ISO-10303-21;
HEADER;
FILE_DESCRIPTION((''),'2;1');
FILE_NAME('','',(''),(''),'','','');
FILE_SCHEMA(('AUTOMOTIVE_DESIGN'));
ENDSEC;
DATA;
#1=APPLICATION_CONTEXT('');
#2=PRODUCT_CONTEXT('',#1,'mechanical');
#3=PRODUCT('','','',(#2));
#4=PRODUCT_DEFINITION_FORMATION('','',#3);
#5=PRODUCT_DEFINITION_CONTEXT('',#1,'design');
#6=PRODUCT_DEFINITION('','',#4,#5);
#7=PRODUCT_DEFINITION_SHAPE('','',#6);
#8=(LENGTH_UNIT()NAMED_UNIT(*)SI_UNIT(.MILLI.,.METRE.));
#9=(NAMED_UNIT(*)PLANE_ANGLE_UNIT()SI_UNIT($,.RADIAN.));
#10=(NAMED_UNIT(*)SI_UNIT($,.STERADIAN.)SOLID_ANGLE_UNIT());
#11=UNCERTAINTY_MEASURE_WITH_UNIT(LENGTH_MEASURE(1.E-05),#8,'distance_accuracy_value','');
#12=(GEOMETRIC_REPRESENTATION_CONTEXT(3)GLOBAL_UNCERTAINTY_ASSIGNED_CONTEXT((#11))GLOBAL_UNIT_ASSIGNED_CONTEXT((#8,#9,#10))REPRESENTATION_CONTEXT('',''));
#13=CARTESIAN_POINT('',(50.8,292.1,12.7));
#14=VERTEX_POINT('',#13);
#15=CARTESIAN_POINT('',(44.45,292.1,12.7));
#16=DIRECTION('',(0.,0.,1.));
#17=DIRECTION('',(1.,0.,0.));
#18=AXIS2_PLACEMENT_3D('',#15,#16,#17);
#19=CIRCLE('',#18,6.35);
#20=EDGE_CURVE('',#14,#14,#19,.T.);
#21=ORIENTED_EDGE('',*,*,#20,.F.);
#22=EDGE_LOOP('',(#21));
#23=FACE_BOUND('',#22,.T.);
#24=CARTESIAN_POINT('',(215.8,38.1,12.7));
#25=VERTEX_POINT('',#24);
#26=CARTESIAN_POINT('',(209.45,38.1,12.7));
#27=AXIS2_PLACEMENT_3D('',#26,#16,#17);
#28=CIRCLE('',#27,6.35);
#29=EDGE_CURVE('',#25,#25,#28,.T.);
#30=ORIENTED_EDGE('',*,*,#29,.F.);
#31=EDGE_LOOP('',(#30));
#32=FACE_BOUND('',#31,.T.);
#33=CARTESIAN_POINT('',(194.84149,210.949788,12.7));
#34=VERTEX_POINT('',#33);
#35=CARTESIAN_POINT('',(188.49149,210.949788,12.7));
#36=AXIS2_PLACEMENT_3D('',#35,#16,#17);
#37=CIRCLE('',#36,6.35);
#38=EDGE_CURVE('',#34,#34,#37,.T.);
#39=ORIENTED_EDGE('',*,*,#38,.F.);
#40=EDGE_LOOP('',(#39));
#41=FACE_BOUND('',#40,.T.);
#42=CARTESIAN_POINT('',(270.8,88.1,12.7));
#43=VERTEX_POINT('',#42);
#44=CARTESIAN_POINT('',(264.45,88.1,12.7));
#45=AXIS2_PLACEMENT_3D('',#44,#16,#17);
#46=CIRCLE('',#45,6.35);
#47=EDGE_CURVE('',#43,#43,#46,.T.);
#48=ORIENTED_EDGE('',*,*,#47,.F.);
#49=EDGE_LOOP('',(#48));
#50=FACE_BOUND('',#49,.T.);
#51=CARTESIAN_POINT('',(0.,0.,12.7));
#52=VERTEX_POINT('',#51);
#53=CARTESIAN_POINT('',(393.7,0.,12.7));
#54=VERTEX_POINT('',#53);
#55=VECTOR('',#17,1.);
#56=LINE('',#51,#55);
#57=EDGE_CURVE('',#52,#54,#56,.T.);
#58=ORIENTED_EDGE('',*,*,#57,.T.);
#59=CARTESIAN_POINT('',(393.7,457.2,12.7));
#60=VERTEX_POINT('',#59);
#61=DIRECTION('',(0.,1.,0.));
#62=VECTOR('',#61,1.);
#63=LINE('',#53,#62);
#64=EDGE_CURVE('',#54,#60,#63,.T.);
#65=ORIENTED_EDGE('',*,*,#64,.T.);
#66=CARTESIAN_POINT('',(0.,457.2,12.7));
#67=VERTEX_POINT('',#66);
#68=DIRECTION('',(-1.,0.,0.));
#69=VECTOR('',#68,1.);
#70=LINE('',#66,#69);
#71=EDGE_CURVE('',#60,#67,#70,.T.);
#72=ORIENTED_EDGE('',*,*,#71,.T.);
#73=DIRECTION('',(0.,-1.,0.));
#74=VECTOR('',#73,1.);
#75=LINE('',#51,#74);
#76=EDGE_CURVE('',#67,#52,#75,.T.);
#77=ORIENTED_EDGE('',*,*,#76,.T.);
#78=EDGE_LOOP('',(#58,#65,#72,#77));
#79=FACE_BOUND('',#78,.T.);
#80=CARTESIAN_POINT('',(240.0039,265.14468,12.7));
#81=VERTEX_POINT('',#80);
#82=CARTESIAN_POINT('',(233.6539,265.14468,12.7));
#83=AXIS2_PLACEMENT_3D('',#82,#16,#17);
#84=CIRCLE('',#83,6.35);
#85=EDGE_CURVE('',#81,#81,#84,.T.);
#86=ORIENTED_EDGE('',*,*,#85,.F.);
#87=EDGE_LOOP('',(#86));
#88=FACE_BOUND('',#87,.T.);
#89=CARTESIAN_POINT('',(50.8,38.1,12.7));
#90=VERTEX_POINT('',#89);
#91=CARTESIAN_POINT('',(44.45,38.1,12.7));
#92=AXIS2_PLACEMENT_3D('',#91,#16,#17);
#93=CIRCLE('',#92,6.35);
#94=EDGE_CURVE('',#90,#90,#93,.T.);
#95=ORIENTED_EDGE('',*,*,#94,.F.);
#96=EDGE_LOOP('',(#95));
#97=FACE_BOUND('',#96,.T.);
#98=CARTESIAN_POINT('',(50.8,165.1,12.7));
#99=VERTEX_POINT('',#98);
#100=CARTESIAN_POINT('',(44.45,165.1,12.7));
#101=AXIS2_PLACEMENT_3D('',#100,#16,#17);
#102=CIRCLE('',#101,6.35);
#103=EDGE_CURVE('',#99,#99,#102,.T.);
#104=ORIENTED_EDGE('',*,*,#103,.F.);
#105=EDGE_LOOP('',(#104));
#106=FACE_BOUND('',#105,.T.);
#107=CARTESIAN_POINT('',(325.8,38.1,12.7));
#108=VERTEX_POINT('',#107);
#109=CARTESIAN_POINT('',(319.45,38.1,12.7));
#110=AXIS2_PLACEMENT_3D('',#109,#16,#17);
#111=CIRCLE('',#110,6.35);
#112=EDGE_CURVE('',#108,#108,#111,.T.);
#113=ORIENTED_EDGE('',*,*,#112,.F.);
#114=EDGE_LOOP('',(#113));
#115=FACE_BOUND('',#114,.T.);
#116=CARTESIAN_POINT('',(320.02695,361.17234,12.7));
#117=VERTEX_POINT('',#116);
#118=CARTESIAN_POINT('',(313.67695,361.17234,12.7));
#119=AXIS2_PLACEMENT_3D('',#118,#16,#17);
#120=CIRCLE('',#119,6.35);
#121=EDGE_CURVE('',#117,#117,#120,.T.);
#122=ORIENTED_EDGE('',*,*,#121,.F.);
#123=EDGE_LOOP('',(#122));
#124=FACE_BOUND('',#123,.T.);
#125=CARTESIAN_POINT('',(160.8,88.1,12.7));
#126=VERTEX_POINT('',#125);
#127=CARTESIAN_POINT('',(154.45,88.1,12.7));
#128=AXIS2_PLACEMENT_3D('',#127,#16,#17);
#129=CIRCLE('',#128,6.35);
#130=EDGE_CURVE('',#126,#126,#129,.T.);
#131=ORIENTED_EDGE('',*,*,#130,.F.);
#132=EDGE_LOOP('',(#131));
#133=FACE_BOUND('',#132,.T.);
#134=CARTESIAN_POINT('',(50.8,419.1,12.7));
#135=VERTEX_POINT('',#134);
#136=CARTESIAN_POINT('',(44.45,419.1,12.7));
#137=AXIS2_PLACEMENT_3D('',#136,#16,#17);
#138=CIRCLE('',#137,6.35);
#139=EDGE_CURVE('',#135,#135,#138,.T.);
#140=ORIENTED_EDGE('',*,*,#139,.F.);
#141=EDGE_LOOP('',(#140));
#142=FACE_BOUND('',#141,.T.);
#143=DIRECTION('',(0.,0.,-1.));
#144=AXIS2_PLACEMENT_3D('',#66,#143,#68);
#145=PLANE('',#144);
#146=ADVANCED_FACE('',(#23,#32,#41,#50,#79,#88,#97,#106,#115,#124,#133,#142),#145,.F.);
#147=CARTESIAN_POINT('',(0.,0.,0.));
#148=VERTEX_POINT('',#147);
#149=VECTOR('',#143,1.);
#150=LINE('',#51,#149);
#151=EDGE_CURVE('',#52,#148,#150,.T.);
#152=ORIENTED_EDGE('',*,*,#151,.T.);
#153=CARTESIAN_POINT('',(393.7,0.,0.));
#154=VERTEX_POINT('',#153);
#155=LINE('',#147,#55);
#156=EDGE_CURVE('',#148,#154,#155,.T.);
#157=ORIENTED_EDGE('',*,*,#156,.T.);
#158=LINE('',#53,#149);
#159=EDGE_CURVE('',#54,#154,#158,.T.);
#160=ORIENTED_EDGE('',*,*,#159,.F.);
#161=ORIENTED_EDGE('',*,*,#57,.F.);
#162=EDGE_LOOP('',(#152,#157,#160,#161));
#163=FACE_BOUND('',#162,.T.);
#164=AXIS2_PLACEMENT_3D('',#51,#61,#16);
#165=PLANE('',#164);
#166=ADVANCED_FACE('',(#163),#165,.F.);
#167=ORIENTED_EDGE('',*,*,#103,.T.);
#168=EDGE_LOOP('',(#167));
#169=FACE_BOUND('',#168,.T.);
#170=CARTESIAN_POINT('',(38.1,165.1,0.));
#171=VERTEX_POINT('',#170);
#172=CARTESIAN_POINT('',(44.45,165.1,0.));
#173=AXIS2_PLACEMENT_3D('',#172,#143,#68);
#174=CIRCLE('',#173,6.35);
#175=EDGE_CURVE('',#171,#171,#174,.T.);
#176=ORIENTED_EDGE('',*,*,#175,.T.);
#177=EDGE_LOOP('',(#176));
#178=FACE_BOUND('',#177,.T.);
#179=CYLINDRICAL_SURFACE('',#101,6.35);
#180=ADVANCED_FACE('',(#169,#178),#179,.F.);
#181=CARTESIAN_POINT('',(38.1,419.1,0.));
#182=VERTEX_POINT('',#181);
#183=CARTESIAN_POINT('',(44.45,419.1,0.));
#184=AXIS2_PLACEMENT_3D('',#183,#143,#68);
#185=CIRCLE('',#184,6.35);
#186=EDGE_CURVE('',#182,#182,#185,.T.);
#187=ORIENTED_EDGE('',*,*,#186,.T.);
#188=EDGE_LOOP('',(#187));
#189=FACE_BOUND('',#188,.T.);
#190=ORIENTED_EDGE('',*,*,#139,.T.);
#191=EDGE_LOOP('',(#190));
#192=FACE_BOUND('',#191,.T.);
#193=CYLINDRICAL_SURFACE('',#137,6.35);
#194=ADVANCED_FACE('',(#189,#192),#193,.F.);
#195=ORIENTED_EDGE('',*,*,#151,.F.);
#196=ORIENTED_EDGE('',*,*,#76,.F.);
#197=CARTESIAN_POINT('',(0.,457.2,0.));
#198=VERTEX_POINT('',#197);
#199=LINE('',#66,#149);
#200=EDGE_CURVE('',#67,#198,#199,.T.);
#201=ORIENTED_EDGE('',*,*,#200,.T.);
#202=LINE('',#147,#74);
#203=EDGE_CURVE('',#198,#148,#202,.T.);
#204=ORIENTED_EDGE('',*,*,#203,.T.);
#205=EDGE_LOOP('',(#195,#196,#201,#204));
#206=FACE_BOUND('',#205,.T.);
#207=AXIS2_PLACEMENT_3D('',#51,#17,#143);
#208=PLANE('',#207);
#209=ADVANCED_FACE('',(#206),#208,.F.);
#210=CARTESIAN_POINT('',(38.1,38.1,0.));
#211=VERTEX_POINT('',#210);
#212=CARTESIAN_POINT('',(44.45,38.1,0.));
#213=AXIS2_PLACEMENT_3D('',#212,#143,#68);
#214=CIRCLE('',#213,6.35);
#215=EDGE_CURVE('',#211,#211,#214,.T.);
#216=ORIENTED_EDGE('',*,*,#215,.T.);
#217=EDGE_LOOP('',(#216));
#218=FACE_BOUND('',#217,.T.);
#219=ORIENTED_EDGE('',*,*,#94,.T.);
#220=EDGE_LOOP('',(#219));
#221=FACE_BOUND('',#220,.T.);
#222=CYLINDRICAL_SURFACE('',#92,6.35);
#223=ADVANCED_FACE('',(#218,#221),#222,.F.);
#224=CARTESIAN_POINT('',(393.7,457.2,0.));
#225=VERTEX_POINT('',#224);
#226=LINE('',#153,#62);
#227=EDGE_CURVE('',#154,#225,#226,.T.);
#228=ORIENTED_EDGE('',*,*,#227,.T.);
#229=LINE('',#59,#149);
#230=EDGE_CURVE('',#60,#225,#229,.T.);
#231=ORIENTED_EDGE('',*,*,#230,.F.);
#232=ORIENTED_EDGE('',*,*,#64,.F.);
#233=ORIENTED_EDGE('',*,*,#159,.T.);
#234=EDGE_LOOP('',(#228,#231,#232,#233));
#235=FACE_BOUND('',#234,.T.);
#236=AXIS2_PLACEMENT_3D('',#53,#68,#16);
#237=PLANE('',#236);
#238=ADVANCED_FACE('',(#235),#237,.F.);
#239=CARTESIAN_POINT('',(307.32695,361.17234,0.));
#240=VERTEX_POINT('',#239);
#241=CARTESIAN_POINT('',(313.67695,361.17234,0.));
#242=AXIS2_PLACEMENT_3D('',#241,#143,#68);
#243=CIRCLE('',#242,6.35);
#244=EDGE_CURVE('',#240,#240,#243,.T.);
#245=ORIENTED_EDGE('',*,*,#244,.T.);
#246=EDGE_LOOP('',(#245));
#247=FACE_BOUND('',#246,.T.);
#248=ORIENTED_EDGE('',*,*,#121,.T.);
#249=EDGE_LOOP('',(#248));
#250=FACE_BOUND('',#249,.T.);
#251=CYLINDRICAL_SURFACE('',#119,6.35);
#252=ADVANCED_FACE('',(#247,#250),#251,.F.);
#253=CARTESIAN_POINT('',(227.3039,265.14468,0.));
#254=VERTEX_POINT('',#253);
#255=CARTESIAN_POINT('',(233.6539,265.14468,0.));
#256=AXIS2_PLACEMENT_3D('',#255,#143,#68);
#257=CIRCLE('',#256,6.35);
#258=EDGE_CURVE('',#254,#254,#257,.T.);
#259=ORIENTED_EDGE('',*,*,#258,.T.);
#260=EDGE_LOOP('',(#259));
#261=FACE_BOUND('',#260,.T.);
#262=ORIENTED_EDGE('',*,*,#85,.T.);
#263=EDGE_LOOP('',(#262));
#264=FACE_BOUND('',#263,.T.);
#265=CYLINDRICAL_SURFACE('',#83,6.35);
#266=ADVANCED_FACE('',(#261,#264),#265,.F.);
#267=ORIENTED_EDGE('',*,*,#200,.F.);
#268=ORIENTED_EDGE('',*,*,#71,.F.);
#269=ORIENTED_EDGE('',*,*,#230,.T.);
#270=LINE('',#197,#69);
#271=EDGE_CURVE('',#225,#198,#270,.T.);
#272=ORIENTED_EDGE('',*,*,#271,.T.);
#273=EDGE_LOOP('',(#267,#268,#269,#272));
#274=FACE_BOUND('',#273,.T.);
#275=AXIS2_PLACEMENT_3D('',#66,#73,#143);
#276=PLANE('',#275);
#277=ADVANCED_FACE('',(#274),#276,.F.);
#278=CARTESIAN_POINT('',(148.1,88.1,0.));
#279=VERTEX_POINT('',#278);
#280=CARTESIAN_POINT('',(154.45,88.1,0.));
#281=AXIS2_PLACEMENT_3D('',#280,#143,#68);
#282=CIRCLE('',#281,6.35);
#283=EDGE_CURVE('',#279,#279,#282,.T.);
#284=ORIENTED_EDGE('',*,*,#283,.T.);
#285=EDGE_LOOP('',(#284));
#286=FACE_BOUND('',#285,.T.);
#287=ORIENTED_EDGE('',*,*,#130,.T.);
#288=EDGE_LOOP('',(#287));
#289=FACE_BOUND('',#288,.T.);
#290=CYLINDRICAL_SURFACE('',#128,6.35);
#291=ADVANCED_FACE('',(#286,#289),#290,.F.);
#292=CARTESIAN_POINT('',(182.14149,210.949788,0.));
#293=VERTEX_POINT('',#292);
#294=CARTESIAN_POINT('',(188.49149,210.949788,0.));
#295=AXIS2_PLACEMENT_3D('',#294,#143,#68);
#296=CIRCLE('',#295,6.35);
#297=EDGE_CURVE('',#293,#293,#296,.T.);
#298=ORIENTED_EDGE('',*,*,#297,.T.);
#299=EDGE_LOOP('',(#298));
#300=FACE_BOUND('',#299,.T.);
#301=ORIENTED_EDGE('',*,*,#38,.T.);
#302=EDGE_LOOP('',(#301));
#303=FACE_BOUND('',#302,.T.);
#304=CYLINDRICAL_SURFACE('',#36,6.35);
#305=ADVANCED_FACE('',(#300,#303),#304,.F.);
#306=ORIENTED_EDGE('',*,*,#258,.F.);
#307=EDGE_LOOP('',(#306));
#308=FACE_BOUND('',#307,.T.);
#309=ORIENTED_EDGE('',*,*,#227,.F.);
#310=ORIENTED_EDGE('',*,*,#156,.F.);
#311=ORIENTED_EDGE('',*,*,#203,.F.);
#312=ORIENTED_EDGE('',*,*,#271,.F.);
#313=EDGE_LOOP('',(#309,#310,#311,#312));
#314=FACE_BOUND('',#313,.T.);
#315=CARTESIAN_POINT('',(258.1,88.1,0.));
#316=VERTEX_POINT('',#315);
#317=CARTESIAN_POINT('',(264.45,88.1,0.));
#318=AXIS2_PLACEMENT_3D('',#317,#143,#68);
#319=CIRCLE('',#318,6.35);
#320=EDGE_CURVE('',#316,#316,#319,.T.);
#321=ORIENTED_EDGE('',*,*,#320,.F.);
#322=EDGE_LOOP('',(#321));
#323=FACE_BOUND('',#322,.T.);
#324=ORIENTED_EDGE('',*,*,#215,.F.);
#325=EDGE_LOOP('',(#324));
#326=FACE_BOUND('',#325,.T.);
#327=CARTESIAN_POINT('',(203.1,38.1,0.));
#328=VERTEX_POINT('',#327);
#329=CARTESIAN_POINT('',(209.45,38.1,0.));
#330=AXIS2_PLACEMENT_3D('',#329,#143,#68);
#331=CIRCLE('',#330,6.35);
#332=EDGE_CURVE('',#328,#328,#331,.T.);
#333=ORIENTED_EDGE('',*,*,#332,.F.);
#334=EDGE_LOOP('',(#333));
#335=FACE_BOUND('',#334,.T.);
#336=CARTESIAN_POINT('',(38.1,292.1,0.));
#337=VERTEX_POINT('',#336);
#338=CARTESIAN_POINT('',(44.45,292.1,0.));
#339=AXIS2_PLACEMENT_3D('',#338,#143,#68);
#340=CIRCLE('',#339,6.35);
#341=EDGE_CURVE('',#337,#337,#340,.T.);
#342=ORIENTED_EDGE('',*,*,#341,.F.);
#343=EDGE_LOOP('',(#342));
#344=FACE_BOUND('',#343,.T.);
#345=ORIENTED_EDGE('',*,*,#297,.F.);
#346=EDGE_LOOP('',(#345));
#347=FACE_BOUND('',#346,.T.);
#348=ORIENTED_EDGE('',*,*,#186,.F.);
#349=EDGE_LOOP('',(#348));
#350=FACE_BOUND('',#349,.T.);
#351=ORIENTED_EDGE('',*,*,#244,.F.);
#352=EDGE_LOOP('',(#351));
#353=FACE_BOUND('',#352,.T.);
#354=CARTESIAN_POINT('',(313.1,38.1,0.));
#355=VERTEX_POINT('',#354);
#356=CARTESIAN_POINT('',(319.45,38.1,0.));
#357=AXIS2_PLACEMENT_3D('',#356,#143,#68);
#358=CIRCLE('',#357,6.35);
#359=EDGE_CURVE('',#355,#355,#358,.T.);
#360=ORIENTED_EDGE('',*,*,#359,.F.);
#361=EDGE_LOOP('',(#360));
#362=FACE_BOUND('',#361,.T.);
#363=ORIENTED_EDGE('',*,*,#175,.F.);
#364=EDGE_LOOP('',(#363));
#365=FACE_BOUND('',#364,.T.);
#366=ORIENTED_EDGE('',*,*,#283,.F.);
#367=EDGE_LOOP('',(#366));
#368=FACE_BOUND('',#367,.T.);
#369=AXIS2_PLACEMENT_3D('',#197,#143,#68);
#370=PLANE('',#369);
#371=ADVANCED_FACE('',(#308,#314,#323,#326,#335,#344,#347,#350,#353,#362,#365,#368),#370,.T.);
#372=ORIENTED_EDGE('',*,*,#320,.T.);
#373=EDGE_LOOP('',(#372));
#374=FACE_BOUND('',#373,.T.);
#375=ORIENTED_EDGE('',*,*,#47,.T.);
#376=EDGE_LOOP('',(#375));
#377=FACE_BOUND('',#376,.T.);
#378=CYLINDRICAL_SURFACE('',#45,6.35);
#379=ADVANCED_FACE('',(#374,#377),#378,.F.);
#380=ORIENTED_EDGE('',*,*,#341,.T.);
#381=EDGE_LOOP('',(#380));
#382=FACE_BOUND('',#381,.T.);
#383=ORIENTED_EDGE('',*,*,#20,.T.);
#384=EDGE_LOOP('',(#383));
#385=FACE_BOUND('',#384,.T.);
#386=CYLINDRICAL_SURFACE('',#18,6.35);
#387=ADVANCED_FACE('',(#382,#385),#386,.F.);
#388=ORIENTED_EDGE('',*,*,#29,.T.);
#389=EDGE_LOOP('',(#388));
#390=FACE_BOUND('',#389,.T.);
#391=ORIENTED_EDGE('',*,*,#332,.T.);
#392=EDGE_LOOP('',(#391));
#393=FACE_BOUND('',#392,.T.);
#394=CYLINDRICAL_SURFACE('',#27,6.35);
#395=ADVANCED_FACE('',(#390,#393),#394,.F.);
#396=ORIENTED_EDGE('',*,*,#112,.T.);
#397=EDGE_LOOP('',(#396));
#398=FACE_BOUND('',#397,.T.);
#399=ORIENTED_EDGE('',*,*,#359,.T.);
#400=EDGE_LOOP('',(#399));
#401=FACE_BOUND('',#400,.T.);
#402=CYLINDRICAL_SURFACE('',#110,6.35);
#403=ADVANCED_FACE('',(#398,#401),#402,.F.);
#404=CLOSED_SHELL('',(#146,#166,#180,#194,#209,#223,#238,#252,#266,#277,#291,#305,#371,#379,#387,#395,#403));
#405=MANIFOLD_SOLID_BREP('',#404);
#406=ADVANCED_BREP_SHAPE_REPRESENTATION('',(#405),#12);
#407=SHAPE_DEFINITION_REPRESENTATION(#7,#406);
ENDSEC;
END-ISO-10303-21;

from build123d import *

# Parameters (mm, degrees)
SKETCH1_W                 = 393.7
SKETCH1_H                 = 457.2
PLATE_DEPTH               = 12.7
PATTERN_LINEAR_1136_COUNT = 4
PATTERN_LINEAR_1136_PITCH = 127


with BuildPart() as part:
    # Sketch1 → Plate (new body)
    with BuildSketch(Plane.XY):
        with Locations((196.85, 228.6)):
            Rectangle(SKETCH1_W, SKETCH1_H)
    extrude(amount=PLATE_DEPTH)

    # Sketch3 → Hole (revolve, cut)
    with BuildSketch(Plane(origin=(44.45, 38.1, 12.7), x_dir=(0, -1, 0), z_dir=(1, 0, 0))):
        Polygon((0, 0), (0, 29.215464931), (6.35, 25.4), (6.35, 0), align=None)
    hole = revolve(axis=Axis((44.45, 38.1, 19.05), (0, 0, -1)), mode=Mode.SUBTRACT)

    # Pattern Linear 1136: Hole ×4
    with Locations(*[(0, i * PATTERN_LINEAR_1136_PITCH, 0) for i in range(1, PATTERN_LINEAR_1136_COUNT)]):
        add(hole, mode=Mode.SUBTRACT)

    # 草圖複製排列1: Hole at 3 more places
    with Locations((189.2039, 227.04468, 0), (269.22695, 323.07234, 0), (144.04149, 172.849788, 0)):
        add(hole, mode=Mode.SUBTRACT)

    # 草圖複製排列2: Hole at 4 more places
    with Locations((165, 0, 0), (275, 0, 0), (110, 50, 0), (220, 50, 0)):
        add(hole, mode=Mode.SUBTRACT)


solid = part.part
